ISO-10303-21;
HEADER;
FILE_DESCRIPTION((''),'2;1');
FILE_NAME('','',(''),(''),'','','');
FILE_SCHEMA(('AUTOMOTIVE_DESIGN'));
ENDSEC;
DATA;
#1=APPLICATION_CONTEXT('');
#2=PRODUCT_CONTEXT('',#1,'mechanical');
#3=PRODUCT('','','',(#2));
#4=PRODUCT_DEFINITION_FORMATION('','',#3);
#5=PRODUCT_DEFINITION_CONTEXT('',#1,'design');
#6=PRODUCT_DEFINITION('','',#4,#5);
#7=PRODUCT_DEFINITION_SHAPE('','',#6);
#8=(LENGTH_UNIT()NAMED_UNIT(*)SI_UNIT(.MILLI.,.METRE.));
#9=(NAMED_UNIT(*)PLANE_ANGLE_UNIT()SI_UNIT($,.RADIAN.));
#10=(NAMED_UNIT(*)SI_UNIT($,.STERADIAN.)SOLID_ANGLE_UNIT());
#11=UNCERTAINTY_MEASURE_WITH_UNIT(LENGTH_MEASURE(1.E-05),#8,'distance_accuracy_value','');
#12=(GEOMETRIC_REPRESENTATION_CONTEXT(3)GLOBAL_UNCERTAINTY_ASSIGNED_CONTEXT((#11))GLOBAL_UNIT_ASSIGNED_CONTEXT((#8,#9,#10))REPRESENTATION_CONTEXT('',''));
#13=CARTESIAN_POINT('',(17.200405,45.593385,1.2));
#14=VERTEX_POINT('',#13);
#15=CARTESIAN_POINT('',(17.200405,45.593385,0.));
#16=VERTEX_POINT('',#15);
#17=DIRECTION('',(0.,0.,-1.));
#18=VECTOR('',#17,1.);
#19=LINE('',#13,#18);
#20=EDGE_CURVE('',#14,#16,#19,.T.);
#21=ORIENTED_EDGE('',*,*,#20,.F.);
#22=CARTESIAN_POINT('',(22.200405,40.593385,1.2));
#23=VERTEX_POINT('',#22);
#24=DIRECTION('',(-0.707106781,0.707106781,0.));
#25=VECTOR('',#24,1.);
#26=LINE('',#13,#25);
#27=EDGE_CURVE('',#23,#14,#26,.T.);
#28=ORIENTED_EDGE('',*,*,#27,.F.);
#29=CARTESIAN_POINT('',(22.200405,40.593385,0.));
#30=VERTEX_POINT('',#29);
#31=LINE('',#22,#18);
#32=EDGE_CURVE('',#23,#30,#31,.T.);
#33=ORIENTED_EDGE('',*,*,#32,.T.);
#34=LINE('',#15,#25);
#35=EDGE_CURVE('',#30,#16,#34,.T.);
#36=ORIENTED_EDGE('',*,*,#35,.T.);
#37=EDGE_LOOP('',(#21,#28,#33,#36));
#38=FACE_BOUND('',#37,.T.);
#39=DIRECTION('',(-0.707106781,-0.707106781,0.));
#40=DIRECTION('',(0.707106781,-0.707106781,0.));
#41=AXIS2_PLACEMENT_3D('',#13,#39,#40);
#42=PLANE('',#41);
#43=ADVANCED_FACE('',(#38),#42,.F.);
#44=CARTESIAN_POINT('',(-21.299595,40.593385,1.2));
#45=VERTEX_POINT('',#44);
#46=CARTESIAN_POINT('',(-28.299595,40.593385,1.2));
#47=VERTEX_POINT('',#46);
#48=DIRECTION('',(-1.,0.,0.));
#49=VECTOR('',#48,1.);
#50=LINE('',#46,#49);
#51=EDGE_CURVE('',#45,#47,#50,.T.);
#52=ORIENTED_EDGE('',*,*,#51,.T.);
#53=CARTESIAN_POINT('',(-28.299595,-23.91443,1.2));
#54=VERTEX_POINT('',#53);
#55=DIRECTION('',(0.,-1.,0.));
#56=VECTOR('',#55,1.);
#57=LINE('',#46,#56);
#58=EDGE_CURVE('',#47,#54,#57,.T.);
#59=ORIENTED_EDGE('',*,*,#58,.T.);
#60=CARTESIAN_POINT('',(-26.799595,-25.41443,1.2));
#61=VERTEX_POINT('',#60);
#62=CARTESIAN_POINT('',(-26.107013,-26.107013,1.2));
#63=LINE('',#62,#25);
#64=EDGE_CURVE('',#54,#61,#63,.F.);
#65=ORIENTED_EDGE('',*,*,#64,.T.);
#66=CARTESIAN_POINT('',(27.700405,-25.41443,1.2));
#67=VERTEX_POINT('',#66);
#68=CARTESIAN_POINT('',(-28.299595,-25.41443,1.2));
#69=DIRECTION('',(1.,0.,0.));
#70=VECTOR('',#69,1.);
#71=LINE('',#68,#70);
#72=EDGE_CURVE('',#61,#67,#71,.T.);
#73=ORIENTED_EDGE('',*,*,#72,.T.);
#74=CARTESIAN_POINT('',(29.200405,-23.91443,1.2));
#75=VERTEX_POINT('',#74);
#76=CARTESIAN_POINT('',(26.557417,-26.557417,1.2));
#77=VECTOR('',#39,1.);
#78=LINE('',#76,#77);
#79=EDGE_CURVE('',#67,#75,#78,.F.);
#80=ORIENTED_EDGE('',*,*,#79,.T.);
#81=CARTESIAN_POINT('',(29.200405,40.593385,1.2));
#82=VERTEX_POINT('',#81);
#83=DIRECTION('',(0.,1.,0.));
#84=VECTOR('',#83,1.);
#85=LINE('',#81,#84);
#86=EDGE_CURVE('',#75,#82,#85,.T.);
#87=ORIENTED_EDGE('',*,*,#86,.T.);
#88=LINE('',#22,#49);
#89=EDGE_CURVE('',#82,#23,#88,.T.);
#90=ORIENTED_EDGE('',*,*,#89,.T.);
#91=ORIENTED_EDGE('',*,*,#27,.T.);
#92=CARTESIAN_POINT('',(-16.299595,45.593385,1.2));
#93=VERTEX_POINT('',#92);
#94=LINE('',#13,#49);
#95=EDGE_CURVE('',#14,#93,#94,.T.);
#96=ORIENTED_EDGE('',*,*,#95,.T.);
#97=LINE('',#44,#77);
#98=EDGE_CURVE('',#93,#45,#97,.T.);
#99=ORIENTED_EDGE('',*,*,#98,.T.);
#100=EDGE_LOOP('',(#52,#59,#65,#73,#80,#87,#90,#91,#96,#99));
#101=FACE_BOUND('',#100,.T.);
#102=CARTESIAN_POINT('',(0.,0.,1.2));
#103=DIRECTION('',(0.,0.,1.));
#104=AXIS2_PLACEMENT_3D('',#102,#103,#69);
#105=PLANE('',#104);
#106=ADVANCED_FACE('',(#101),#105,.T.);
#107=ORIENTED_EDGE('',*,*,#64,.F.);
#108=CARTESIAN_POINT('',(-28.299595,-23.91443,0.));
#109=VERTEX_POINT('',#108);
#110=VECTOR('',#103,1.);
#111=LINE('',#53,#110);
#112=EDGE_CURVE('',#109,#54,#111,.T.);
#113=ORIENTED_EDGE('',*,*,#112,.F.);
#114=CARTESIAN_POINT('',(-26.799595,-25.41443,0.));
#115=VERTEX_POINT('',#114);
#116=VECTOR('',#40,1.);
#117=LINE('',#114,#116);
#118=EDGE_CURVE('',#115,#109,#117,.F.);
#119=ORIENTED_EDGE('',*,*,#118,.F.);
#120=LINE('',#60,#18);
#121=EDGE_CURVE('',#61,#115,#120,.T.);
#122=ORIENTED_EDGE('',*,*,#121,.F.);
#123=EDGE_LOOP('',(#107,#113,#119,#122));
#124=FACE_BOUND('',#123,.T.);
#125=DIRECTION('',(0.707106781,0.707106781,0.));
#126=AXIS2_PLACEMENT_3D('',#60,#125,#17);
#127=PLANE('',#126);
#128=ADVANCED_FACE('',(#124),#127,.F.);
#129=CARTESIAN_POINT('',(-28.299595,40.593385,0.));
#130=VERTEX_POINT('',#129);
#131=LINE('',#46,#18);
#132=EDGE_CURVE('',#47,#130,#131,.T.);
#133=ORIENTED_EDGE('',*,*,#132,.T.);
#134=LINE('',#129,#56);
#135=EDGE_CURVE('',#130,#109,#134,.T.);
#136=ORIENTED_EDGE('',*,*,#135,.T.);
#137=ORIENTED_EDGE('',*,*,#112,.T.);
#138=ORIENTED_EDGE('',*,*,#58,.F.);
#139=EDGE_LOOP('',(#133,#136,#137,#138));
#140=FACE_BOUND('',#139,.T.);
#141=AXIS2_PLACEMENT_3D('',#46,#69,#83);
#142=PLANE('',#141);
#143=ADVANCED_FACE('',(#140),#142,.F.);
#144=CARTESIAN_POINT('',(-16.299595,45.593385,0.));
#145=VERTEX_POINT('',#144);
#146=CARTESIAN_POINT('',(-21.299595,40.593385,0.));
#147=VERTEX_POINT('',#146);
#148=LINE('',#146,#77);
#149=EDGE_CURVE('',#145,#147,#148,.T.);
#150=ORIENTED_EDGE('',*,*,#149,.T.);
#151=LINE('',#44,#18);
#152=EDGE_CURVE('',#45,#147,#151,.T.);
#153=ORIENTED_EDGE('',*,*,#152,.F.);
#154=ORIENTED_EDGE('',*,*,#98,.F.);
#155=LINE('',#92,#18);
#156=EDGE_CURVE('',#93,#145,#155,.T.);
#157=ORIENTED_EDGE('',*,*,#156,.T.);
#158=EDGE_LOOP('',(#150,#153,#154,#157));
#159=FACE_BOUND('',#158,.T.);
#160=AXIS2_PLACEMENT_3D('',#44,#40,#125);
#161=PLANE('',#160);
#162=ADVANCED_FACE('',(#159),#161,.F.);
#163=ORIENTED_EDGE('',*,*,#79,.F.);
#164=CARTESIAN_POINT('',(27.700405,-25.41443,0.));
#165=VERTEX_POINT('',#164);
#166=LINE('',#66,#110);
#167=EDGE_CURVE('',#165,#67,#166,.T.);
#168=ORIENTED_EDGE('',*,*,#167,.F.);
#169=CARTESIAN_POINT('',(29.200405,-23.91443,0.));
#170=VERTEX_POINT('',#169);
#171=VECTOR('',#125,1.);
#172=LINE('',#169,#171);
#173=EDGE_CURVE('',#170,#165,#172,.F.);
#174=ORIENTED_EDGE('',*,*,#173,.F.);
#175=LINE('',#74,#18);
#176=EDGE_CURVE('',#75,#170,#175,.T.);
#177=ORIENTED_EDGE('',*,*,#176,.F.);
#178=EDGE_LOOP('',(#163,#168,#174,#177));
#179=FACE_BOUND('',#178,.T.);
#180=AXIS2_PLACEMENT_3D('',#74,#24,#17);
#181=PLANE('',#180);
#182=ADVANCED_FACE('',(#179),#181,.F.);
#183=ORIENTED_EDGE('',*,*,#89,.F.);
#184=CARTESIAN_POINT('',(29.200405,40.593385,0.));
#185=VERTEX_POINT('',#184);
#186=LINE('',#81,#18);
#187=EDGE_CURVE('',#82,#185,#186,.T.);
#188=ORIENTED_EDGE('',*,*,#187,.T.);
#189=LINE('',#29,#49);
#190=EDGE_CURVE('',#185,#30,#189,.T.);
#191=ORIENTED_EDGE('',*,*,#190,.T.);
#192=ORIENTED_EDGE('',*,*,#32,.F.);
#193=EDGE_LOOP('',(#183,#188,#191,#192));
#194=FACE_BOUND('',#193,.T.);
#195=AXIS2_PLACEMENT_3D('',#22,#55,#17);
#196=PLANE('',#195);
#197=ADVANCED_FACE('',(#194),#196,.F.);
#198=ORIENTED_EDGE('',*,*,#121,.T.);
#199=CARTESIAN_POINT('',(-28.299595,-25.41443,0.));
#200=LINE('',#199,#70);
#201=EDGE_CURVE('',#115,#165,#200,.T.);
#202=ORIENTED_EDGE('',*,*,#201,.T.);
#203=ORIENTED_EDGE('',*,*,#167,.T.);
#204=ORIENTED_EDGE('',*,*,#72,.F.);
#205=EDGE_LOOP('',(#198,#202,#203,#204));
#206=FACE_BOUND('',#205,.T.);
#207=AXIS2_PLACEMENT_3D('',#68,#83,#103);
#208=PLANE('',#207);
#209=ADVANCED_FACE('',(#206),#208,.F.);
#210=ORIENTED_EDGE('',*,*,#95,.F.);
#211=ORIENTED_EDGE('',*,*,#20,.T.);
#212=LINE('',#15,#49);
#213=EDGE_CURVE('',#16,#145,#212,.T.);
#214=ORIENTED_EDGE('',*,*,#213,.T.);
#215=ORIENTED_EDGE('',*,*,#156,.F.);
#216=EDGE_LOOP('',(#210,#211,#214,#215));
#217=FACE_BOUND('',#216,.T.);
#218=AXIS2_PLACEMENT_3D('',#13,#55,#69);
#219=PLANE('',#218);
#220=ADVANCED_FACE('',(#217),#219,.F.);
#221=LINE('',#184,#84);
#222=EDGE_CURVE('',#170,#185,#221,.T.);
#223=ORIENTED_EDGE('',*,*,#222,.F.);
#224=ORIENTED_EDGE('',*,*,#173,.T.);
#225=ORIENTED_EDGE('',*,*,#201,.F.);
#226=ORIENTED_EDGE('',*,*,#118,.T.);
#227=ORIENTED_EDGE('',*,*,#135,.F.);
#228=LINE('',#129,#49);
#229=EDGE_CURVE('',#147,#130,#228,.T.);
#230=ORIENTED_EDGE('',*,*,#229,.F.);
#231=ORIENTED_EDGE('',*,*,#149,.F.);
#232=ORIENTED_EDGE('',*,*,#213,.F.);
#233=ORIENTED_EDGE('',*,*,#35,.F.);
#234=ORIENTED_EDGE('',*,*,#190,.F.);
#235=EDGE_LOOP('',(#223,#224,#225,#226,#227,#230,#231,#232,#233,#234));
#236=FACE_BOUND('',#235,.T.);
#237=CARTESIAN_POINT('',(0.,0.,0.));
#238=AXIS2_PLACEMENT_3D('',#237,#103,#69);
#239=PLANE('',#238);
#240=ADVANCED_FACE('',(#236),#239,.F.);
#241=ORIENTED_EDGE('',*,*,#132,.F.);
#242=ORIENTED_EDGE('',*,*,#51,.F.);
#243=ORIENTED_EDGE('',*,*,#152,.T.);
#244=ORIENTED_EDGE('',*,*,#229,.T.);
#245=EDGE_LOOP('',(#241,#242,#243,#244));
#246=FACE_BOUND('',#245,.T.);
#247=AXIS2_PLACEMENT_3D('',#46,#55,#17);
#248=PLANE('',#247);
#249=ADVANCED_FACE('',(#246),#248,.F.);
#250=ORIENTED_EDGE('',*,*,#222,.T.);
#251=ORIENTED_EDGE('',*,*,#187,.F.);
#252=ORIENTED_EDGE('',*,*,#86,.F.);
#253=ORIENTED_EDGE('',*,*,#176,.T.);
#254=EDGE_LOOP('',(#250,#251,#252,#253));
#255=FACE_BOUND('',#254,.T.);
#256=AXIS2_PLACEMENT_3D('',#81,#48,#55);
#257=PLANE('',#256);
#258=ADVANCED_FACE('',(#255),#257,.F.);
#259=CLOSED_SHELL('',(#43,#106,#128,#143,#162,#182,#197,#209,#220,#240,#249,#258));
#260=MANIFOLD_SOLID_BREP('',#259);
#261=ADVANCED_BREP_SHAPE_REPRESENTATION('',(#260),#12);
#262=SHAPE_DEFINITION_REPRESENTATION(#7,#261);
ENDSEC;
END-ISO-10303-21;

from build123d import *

# Parameters (mm, degrees)
EXTRUDE_1_DEPTH = 1.2
CHAMFER_1_SIZE  = 1.5


with BuildPart() as part:
    # 草图1 → 凸台-拉伸1 (new body)
    with BuildSketch(Plane.XY):
        Polygon((-21.299595232, 40.59338459), (-16.299595232, 45.59338459), (17.200404768, 45.59338459), (22.200404768, 40.59338459), (29.200404768, 40.59338459), (29.200404768, -25.414429895), (-28.299595232, -25.414429895), (-28.299595232, 40.59338459), align=None)
    extrude(amount=EXTRUDE_1_DEPTH)

    # 倒角1
    chamfer_1_edges = [part.edges().sort_by_distance(p)[0] for p in [
        (29.200404768, -25.414429895, 0.6),
        (-28.299595232, -25.414429895, 0.6),
    ]]
    chamfer(chamfer_1_edges, length=CHAMFER_1_SIZE)


solid = part.part
